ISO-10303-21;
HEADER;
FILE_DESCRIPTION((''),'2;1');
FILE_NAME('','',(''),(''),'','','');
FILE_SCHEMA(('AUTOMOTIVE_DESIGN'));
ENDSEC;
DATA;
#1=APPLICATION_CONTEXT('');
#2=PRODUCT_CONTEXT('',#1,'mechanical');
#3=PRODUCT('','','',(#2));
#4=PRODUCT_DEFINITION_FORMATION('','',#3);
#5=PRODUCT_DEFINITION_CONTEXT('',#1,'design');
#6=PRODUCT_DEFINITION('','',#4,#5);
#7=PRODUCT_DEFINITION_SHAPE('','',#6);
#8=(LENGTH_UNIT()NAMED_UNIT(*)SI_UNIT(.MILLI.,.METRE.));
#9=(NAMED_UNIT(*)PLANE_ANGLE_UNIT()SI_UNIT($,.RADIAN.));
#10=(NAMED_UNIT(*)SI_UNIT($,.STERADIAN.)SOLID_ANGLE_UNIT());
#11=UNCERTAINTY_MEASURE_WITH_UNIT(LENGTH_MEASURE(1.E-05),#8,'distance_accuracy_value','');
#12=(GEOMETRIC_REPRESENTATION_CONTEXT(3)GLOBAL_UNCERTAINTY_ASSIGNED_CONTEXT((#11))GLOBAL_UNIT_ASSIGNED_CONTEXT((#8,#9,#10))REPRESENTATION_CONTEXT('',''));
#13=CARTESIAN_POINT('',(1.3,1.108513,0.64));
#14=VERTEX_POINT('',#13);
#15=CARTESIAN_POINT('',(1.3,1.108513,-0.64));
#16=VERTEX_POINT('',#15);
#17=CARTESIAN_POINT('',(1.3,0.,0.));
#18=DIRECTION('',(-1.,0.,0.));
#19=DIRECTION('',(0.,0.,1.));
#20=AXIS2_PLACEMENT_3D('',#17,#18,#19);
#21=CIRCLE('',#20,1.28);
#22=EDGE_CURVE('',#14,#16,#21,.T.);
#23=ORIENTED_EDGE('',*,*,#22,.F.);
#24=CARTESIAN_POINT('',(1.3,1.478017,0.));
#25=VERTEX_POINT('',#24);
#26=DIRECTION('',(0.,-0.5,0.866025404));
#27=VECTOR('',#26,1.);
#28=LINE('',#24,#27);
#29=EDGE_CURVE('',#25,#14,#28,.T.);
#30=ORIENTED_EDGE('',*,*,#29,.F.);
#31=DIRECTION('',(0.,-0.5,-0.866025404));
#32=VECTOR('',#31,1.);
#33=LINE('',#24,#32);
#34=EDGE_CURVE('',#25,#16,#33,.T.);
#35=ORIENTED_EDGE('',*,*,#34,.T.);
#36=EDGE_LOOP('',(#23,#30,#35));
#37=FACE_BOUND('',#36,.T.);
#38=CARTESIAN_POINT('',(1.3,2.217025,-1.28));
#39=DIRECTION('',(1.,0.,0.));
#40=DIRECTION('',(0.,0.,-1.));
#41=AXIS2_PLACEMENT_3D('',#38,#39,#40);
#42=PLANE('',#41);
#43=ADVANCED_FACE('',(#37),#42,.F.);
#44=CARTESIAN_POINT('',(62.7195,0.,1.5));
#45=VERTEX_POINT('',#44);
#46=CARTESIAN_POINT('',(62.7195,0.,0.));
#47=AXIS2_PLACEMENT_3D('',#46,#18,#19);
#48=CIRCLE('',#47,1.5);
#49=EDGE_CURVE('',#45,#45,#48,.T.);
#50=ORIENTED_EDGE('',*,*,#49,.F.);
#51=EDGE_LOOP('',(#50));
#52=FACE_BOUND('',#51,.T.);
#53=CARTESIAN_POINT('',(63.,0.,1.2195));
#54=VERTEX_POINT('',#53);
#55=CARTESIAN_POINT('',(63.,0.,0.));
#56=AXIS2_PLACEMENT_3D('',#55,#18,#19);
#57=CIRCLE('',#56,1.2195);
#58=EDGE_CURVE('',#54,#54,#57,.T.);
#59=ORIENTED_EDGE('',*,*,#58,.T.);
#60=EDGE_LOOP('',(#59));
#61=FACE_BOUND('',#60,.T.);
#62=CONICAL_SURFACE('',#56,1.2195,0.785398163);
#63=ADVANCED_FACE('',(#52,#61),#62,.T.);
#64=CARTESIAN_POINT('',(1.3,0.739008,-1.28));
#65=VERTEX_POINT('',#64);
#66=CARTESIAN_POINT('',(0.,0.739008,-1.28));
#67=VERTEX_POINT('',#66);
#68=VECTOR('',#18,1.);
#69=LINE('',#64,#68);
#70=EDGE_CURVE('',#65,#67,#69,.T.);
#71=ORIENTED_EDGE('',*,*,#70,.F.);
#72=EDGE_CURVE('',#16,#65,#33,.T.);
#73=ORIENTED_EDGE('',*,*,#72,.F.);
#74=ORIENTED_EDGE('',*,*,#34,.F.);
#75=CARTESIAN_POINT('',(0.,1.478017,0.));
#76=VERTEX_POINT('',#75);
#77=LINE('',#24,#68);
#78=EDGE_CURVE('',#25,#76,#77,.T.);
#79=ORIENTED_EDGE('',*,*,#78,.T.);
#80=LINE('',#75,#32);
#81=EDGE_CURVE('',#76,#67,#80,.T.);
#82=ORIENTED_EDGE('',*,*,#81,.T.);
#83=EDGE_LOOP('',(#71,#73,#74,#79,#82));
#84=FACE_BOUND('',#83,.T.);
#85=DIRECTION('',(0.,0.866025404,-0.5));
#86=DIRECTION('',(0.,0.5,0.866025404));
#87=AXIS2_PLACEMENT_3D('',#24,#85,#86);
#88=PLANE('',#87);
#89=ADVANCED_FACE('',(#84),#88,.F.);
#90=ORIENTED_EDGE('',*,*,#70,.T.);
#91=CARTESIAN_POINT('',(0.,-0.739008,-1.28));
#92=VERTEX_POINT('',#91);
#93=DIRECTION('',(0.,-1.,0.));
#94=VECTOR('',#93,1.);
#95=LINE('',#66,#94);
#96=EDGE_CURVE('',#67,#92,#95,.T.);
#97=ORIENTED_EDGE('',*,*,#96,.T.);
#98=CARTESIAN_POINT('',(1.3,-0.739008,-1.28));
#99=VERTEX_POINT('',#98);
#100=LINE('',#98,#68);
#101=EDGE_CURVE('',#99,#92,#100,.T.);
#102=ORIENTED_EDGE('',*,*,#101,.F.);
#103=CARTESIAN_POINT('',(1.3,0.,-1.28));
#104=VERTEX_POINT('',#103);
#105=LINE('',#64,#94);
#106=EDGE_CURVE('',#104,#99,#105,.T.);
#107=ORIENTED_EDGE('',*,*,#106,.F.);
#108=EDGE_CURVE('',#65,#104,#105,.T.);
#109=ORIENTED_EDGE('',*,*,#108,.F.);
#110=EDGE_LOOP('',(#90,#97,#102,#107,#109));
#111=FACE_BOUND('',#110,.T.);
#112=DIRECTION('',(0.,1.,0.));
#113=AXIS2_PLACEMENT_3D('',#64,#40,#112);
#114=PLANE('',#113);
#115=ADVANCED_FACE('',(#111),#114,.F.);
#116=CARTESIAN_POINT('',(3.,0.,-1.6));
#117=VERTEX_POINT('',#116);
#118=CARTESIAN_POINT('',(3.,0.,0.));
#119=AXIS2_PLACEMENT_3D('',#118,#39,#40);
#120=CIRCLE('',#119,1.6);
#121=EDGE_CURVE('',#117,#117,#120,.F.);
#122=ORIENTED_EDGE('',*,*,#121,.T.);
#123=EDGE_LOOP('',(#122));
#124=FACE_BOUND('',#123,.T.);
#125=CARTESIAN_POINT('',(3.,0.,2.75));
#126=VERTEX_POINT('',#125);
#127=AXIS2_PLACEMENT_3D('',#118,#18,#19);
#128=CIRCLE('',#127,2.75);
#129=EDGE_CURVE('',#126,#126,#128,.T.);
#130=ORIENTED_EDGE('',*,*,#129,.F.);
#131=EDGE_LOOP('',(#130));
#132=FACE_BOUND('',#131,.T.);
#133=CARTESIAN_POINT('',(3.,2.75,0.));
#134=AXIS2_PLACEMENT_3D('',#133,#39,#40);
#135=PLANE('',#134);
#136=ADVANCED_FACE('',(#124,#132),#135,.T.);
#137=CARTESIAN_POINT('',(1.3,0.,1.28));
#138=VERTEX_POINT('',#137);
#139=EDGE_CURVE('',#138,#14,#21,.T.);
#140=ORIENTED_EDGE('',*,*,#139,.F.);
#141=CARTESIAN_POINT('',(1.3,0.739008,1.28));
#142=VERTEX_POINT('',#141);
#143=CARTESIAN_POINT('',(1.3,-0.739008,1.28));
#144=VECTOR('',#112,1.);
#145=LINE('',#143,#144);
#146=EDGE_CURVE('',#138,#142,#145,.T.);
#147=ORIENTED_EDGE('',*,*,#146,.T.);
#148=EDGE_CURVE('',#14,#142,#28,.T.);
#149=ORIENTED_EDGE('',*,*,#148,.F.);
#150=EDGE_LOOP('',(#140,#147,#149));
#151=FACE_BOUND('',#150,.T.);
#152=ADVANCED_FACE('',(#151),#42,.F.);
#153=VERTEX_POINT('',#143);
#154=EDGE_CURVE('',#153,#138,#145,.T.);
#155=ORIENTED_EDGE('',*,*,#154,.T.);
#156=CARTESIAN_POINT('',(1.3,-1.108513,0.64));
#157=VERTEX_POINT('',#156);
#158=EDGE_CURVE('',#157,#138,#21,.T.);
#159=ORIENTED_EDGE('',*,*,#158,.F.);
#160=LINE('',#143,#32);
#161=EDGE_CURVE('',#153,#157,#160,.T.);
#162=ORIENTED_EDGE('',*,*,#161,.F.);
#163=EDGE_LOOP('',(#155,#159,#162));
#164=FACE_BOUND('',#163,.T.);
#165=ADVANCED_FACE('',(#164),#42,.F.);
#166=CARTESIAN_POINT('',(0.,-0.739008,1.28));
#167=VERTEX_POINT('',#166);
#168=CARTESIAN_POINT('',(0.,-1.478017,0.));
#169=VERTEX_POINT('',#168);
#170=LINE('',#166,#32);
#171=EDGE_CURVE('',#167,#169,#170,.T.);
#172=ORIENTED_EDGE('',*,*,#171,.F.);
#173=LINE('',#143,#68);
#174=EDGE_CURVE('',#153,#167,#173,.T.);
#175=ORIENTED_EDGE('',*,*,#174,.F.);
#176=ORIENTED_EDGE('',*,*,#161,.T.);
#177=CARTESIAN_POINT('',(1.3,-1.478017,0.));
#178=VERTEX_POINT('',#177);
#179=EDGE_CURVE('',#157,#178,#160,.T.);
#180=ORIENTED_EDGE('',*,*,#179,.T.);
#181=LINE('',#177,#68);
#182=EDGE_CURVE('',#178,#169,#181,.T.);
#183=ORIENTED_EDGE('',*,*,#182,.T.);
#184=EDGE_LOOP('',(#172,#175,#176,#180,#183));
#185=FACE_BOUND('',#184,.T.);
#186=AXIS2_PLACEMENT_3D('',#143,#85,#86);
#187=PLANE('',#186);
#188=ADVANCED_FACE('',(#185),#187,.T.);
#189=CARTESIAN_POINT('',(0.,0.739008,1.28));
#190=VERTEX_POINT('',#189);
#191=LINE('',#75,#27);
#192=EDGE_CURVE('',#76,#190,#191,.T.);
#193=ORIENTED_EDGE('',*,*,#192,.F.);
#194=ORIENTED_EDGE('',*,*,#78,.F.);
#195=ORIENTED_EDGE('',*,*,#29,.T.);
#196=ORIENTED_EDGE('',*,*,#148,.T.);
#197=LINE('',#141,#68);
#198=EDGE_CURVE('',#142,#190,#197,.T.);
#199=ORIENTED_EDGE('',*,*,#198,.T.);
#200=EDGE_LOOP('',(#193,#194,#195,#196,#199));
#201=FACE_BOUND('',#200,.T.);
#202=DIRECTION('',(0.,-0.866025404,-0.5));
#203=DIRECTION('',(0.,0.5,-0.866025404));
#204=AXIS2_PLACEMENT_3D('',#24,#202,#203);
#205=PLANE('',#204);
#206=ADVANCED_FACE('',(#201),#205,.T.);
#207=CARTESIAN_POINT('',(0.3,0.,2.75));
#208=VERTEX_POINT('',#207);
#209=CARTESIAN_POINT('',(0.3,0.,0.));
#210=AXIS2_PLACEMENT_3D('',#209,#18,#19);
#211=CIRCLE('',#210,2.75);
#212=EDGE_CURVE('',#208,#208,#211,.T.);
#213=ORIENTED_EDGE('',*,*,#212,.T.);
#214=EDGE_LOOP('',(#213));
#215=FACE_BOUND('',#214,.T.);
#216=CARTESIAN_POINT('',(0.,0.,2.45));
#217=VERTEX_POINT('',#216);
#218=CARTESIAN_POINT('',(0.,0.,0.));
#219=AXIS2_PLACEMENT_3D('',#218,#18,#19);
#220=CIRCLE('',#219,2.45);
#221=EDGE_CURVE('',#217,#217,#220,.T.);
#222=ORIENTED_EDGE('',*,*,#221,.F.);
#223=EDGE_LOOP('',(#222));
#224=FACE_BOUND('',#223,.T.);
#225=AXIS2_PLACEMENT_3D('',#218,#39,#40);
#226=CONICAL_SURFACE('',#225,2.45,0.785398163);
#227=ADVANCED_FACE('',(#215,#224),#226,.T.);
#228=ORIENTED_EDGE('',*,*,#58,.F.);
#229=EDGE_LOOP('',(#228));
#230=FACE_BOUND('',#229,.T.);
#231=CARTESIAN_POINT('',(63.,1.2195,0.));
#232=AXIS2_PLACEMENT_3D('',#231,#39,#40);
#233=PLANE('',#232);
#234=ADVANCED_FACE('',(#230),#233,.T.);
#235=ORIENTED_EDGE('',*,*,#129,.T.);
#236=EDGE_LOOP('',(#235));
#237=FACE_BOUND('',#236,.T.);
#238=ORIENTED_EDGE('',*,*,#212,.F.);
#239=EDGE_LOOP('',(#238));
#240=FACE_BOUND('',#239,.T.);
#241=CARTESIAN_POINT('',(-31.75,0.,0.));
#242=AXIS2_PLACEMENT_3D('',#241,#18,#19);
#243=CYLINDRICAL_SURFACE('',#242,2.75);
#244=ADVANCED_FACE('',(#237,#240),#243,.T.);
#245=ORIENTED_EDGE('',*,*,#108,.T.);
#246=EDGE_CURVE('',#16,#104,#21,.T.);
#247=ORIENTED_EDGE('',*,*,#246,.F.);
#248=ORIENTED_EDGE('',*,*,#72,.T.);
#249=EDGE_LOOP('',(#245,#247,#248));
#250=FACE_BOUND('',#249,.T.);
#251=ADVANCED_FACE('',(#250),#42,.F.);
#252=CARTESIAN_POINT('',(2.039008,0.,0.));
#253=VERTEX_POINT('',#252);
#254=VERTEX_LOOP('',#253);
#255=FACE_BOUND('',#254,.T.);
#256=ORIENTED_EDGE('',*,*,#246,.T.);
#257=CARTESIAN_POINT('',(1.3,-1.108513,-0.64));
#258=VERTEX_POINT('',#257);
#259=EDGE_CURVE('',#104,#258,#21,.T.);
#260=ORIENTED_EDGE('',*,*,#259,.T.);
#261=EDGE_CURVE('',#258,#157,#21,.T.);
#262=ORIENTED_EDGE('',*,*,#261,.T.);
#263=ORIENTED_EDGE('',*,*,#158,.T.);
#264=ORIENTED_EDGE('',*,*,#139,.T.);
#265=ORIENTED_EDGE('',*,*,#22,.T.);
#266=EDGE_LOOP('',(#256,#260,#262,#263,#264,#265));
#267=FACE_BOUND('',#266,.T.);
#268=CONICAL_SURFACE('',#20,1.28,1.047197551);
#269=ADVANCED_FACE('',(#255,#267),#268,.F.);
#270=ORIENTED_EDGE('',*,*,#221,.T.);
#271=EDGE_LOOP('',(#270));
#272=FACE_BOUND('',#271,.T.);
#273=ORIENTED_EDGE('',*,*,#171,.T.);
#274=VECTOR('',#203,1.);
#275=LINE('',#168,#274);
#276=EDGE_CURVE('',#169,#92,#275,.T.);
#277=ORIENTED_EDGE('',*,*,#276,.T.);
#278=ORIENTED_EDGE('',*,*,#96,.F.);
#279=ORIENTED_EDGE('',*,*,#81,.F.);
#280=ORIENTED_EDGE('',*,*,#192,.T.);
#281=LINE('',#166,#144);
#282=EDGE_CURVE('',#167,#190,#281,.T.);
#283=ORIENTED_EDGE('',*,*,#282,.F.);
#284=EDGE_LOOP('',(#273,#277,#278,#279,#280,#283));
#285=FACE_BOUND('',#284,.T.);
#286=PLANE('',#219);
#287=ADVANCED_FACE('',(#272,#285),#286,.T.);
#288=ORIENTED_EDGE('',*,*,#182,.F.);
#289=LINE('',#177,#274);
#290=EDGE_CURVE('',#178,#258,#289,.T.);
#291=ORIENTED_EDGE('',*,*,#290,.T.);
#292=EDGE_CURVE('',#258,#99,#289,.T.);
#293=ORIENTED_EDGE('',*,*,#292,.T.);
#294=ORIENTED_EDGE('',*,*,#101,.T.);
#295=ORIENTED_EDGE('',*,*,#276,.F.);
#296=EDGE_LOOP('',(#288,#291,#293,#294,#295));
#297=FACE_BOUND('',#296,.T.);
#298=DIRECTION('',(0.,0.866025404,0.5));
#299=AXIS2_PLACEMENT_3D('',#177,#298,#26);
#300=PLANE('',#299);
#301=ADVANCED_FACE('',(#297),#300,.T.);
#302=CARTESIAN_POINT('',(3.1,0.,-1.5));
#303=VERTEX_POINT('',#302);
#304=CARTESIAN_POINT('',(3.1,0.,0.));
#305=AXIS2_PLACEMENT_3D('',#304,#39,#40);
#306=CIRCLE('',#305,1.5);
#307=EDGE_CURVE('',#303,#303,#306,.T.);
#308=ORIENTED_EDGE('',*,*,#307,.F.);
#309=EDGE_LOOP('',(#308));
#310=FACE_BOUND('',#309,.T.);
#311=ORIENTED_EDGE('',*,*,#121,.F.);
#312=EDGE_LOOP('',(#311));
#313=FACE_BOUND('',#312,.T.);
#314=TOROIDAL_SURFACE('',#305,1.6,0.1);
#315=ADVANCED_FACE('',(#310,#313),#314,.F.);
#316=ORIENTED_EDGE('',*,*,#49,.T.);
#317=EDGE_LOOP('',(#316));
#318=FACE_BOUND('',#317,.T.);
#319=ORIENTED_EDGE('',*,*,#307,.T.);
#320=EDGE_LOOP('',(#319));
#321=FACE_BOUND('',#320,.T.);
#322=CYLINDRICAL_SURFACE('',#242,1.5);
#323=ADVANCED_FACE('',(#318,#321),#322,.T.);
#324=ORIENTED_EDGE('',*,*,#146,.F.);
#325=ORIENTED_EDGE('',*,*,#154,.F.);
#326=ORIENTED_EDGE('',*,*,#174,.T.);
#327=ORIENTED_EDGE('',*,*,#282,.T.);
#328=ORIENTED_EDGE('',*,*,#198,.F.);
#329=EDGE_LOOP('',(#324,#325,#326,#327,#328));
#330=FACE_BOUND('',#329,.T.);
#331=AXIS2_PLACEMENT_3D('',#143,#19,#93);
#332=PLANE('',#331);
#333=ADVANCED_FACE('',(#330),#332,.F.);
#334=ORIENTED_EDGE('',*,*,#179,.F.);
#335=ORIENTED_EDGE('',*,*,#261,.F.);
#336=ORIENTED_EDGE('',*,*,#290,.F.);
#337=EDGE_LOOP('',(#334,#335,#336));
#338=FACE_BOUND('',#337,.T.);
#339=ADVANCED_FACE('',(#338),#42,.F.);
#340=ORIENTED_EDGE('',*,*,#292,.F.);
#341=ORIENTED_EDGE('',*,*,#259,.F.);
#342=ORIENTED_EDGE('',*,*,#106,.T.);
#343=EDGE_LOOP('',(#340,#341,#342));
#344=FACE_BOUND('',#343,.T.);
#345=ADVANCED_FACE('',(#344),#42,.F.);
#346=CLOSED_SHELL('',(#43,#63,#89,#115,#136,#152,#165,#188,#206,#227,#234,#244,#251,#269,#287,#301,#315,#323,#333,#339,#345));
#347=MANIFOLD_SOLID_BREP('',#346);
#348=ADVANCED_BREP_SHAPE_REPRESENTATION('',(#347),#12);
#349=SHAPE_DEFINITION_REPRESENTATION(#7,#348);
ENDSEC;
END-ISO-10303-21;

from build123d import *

# Parameters (mm, degrees)
FILLET1_R   = 0.1
HEX_2_DEPTH = 1.3


with BuildPart() as part:
    # BodySke → Base-Revolve (revolve)
    with BuildSketch(Plane.XY, mode=Mode.PRIVATE) as base_revolve_sk:
        Polygon((0, 0), (0, 2.45), (0.3, 2.75), (3, 2.75), (3, 1.5), (62.7195, 1.5), (63, 1.2195), (63, 0), align=None)
    revolve(base_revolve_sk.sketch.rotate(Axis((-31.75, 0, 0), (1, 0, 0)), 90), axis=Axis((-31.75, 0, 0), (1, 0, 0)))

    # Fillet1
    fillet1_edges = [part.edges().sort_by_distance(p)[0] for p in [
        (3, 0, -1.5),
    ]]
    fillet(fillet1_edges, radius=FILLET1_R)

    # Sketch2 → Hex-PreBroach (revolve, cut)
    with BuildSketch(Plane.XY, mode=Mode.PRIVATE) as hex_prebroach_sk:
        Polygon((0, 1.28), (1.3, 1.28), (2.039008345, 0), (0, 0), align=None)
    revolve(hex_prebroach_sk.sketch.rotate(Axis((0, 0, 0), (1, 0, 0)), 90), axis=Axis((0, 0, 0), (1, 0, 0)), mode=Mode.SUBTRACT)

    # Sketch3 → Hex 2 (cut)
    with BuildSketch(Plane(origin=(0, 0, 0), x_dir=(0, 0.500000000000001, 0.866025403784438), z_dir=(-1, 0, 0))):
        Polygon((0.739008345, 1.28), (-0.739008345, 1.28), (-1.478016689, 0), (-0.739008345, -1.28), (0.739008345, -1.28), (1.478016689, 0), align=None)
    extrude(amount=-HEX_2_DEPTH, mode=Mode.SUBTRACT)


solid = part.part
